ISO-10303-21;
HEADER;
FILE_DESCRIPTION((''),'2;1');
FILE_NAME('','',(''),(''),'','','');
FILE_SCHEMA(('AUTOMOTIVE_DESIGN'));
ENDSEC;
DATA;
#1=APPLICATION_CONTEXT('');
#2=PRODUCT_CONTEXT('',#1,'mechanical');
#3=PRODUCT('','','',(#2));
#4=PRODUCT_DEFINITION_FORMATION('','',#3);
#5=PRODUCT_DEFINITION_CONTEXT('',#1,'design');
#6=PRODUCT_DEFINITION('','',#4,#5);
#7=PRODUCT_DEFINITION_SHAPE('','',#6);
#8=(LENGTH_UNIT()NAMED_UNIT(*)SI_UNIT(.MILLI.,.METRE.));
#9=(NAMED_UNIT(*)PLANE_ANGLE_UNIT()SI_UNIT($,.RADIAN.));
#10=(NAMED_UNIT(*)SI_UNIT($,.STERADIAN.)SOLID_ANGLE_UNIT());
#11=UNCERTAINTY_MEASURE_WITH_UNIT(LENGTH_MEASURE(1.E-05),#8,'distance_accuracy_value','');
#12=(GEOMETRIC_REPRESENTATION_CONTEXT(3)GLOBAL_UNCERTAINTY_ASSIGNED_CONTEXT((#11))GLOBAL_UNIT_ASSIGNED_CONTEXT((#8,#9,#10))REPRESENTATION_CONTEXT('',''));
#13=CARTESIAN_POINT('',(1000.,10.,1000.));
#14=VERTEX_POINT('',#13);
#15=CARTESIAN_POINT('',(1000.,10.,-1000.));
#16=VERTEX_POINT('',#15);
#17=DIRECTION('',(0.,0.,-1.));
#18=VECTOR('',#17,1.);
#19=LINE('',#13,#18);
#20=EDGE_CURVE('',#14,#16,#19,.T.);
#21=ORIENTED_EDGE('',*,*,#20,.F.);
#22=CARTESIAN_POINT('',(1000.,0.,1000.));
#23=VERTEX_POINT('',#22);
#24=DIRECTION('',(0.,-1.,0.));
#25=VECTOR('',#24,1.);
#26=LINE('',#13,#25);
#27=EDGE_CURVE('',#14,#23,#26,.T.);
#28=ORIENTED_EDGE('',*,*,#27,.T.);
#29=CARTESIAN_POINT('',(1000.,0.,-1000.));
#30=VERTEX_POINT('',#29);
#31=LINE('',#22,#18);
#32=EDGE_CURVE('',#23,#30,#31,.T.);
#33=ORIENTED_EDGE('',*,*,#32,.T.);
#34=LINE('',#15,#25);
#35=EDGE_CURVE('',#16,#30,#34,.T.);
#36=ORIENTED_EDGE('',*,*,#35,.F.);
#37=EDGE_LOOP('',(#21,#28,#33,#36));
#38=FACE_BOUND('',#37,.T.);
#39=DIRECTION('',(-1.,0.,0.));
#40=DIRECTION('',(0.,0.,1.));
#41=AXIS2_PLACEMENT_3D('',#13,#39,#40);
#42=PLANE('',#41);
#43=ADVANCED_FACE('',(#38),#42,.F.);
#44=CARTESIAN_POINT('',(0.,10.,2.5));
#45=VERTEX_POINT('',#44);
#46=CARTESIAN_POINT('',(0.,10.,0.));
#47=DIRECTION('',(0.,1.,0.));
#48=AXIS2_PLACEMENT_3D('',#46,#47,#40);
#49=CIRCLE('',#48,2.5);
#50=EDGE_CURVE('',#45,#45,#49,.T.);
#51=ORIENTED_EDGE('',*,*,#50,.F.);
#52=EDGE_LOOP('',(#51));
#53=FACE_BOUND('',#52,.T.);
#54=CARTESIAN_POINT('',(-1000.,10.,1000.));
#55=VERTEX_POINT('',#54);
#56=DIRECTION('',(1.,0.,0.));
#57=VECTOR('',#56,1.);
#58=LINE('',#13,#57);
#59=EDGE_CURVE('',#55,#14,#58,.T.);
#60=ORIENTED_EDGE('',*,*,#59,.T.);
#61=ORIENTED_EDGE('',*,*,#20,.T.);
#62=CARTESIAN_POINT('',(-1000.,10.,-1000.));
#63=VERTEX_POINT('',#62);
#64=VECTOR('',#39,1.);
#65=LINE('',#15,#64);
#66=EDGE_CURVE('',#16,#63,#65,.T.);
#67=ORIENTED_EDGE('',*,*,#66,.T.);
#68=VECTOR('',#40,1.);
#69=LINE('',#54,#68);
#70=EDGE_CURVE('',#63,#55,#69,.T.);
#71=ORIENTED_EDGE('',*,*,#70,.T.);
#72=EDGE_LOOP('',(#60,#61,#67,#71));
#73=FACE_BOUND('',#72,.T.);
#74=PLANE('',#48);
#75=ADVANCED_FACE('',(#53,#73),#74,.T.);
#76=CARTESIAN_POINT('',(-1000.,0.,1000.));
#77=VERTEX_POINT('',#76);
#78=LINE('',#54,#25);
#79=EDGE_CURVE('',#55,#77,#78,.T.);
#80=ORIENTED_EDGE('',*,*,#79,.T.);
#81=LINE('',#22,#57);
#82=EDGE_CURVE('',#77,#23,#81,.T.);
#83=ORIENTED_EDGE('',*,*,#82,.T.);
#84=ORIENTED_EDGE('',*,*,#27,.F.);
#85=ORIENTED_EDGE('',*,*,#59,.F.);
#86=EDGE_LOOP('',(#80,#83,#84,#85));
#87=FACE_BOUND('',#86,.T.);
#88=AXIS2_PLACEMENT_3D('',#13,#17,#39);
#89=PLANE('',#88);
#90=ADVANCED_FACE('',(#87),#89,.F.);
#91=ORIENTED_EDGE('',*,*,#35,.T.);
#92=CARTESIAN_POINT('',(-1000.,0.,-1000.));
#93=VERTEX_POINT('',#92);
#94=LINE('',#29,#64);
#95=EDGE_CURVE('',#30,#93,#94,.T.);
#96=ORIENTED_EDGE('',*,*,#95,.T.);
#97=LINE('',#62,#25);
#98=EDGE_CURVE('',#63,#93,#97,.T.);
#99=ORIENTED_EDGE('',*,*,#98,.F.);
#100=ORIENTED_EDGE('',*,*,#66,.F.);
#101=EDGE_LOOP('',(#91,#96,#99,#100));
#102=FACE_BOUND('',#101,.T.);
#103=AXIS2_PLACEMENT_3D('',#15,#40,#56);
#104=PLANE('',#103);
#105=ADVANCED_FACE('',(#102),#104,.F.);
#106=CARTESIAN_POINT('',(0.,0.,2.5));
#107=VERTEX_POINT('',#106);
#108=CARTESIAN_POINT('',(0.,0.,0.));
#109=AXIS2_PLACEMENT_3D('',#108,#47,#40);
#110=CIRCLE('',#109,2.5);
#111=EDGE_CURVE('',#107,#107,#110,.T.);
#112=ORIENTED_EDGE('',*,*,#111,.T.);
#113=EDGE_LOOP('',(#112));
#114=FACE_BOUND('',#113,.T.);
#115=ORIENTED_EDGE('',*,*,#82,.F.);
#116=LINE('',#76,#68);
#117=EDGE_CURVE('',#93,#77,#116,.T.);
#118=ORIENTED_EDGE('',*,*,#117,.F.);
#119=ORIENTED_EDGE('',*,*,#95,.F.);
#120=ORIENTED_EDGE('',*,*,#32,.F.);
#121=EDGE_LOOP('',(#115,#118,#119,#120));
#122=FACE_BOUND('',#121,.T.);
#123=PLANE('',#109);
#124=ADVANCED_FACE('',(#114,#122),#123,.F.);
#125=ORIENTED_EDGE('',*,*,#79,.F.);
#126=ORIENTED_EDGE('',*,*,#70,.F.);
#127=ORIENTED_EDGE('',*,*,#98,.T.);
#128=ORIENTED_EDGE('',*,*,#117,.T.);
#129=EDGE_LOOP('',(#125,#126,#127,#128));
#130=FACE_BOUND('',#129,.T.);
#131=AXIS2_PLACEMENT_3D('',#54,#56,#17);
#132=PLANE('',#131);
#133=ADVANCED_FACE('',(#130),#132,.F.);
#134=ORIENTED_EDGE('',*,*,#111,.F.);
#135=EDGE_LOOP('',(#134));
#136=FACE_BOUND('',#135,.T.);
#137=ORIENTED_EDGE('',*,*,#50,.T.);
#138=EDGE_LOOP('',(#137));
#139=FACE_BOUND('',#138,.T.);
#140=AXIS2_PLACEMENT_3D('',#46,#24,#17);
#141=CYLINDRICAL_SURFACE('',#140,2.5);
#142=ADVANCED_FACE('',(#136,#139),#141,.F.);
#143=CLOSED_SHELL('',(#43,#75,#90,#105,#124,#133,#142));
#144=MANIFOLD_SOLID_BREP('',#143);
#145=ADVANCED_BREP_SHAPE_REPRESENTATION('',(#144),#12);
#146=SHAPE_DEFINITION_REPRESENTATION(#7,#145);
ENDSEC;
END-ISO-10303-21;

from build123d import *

# Parameters (mm, degrees)
SKETCH1_W           = 2000
SKETCH1_H           = 2000
SKETCH1_R           = 2.5
BOSS_EXTRUDE1_DEPTH = 10


with BuildPart() as part:
    # Sketch1 → Boss-Extrude1 (new body)
    with BuildSketch(Plane(origin=(0, 0, 0), x_dir=(1, 0, 0), z_dir=(0, 1, 0))):
        Rectangle(SKETCH1_W, SKETCH1_H)
        with Locations(Location((0, 0, 0), (0, 0, 270))):
            Circle(SKETCH1_R, mode=Mode.SUBTRACT)
    extrude(amount=BOSS_EXTRUDE1_DEPTH)


solid = part.part
